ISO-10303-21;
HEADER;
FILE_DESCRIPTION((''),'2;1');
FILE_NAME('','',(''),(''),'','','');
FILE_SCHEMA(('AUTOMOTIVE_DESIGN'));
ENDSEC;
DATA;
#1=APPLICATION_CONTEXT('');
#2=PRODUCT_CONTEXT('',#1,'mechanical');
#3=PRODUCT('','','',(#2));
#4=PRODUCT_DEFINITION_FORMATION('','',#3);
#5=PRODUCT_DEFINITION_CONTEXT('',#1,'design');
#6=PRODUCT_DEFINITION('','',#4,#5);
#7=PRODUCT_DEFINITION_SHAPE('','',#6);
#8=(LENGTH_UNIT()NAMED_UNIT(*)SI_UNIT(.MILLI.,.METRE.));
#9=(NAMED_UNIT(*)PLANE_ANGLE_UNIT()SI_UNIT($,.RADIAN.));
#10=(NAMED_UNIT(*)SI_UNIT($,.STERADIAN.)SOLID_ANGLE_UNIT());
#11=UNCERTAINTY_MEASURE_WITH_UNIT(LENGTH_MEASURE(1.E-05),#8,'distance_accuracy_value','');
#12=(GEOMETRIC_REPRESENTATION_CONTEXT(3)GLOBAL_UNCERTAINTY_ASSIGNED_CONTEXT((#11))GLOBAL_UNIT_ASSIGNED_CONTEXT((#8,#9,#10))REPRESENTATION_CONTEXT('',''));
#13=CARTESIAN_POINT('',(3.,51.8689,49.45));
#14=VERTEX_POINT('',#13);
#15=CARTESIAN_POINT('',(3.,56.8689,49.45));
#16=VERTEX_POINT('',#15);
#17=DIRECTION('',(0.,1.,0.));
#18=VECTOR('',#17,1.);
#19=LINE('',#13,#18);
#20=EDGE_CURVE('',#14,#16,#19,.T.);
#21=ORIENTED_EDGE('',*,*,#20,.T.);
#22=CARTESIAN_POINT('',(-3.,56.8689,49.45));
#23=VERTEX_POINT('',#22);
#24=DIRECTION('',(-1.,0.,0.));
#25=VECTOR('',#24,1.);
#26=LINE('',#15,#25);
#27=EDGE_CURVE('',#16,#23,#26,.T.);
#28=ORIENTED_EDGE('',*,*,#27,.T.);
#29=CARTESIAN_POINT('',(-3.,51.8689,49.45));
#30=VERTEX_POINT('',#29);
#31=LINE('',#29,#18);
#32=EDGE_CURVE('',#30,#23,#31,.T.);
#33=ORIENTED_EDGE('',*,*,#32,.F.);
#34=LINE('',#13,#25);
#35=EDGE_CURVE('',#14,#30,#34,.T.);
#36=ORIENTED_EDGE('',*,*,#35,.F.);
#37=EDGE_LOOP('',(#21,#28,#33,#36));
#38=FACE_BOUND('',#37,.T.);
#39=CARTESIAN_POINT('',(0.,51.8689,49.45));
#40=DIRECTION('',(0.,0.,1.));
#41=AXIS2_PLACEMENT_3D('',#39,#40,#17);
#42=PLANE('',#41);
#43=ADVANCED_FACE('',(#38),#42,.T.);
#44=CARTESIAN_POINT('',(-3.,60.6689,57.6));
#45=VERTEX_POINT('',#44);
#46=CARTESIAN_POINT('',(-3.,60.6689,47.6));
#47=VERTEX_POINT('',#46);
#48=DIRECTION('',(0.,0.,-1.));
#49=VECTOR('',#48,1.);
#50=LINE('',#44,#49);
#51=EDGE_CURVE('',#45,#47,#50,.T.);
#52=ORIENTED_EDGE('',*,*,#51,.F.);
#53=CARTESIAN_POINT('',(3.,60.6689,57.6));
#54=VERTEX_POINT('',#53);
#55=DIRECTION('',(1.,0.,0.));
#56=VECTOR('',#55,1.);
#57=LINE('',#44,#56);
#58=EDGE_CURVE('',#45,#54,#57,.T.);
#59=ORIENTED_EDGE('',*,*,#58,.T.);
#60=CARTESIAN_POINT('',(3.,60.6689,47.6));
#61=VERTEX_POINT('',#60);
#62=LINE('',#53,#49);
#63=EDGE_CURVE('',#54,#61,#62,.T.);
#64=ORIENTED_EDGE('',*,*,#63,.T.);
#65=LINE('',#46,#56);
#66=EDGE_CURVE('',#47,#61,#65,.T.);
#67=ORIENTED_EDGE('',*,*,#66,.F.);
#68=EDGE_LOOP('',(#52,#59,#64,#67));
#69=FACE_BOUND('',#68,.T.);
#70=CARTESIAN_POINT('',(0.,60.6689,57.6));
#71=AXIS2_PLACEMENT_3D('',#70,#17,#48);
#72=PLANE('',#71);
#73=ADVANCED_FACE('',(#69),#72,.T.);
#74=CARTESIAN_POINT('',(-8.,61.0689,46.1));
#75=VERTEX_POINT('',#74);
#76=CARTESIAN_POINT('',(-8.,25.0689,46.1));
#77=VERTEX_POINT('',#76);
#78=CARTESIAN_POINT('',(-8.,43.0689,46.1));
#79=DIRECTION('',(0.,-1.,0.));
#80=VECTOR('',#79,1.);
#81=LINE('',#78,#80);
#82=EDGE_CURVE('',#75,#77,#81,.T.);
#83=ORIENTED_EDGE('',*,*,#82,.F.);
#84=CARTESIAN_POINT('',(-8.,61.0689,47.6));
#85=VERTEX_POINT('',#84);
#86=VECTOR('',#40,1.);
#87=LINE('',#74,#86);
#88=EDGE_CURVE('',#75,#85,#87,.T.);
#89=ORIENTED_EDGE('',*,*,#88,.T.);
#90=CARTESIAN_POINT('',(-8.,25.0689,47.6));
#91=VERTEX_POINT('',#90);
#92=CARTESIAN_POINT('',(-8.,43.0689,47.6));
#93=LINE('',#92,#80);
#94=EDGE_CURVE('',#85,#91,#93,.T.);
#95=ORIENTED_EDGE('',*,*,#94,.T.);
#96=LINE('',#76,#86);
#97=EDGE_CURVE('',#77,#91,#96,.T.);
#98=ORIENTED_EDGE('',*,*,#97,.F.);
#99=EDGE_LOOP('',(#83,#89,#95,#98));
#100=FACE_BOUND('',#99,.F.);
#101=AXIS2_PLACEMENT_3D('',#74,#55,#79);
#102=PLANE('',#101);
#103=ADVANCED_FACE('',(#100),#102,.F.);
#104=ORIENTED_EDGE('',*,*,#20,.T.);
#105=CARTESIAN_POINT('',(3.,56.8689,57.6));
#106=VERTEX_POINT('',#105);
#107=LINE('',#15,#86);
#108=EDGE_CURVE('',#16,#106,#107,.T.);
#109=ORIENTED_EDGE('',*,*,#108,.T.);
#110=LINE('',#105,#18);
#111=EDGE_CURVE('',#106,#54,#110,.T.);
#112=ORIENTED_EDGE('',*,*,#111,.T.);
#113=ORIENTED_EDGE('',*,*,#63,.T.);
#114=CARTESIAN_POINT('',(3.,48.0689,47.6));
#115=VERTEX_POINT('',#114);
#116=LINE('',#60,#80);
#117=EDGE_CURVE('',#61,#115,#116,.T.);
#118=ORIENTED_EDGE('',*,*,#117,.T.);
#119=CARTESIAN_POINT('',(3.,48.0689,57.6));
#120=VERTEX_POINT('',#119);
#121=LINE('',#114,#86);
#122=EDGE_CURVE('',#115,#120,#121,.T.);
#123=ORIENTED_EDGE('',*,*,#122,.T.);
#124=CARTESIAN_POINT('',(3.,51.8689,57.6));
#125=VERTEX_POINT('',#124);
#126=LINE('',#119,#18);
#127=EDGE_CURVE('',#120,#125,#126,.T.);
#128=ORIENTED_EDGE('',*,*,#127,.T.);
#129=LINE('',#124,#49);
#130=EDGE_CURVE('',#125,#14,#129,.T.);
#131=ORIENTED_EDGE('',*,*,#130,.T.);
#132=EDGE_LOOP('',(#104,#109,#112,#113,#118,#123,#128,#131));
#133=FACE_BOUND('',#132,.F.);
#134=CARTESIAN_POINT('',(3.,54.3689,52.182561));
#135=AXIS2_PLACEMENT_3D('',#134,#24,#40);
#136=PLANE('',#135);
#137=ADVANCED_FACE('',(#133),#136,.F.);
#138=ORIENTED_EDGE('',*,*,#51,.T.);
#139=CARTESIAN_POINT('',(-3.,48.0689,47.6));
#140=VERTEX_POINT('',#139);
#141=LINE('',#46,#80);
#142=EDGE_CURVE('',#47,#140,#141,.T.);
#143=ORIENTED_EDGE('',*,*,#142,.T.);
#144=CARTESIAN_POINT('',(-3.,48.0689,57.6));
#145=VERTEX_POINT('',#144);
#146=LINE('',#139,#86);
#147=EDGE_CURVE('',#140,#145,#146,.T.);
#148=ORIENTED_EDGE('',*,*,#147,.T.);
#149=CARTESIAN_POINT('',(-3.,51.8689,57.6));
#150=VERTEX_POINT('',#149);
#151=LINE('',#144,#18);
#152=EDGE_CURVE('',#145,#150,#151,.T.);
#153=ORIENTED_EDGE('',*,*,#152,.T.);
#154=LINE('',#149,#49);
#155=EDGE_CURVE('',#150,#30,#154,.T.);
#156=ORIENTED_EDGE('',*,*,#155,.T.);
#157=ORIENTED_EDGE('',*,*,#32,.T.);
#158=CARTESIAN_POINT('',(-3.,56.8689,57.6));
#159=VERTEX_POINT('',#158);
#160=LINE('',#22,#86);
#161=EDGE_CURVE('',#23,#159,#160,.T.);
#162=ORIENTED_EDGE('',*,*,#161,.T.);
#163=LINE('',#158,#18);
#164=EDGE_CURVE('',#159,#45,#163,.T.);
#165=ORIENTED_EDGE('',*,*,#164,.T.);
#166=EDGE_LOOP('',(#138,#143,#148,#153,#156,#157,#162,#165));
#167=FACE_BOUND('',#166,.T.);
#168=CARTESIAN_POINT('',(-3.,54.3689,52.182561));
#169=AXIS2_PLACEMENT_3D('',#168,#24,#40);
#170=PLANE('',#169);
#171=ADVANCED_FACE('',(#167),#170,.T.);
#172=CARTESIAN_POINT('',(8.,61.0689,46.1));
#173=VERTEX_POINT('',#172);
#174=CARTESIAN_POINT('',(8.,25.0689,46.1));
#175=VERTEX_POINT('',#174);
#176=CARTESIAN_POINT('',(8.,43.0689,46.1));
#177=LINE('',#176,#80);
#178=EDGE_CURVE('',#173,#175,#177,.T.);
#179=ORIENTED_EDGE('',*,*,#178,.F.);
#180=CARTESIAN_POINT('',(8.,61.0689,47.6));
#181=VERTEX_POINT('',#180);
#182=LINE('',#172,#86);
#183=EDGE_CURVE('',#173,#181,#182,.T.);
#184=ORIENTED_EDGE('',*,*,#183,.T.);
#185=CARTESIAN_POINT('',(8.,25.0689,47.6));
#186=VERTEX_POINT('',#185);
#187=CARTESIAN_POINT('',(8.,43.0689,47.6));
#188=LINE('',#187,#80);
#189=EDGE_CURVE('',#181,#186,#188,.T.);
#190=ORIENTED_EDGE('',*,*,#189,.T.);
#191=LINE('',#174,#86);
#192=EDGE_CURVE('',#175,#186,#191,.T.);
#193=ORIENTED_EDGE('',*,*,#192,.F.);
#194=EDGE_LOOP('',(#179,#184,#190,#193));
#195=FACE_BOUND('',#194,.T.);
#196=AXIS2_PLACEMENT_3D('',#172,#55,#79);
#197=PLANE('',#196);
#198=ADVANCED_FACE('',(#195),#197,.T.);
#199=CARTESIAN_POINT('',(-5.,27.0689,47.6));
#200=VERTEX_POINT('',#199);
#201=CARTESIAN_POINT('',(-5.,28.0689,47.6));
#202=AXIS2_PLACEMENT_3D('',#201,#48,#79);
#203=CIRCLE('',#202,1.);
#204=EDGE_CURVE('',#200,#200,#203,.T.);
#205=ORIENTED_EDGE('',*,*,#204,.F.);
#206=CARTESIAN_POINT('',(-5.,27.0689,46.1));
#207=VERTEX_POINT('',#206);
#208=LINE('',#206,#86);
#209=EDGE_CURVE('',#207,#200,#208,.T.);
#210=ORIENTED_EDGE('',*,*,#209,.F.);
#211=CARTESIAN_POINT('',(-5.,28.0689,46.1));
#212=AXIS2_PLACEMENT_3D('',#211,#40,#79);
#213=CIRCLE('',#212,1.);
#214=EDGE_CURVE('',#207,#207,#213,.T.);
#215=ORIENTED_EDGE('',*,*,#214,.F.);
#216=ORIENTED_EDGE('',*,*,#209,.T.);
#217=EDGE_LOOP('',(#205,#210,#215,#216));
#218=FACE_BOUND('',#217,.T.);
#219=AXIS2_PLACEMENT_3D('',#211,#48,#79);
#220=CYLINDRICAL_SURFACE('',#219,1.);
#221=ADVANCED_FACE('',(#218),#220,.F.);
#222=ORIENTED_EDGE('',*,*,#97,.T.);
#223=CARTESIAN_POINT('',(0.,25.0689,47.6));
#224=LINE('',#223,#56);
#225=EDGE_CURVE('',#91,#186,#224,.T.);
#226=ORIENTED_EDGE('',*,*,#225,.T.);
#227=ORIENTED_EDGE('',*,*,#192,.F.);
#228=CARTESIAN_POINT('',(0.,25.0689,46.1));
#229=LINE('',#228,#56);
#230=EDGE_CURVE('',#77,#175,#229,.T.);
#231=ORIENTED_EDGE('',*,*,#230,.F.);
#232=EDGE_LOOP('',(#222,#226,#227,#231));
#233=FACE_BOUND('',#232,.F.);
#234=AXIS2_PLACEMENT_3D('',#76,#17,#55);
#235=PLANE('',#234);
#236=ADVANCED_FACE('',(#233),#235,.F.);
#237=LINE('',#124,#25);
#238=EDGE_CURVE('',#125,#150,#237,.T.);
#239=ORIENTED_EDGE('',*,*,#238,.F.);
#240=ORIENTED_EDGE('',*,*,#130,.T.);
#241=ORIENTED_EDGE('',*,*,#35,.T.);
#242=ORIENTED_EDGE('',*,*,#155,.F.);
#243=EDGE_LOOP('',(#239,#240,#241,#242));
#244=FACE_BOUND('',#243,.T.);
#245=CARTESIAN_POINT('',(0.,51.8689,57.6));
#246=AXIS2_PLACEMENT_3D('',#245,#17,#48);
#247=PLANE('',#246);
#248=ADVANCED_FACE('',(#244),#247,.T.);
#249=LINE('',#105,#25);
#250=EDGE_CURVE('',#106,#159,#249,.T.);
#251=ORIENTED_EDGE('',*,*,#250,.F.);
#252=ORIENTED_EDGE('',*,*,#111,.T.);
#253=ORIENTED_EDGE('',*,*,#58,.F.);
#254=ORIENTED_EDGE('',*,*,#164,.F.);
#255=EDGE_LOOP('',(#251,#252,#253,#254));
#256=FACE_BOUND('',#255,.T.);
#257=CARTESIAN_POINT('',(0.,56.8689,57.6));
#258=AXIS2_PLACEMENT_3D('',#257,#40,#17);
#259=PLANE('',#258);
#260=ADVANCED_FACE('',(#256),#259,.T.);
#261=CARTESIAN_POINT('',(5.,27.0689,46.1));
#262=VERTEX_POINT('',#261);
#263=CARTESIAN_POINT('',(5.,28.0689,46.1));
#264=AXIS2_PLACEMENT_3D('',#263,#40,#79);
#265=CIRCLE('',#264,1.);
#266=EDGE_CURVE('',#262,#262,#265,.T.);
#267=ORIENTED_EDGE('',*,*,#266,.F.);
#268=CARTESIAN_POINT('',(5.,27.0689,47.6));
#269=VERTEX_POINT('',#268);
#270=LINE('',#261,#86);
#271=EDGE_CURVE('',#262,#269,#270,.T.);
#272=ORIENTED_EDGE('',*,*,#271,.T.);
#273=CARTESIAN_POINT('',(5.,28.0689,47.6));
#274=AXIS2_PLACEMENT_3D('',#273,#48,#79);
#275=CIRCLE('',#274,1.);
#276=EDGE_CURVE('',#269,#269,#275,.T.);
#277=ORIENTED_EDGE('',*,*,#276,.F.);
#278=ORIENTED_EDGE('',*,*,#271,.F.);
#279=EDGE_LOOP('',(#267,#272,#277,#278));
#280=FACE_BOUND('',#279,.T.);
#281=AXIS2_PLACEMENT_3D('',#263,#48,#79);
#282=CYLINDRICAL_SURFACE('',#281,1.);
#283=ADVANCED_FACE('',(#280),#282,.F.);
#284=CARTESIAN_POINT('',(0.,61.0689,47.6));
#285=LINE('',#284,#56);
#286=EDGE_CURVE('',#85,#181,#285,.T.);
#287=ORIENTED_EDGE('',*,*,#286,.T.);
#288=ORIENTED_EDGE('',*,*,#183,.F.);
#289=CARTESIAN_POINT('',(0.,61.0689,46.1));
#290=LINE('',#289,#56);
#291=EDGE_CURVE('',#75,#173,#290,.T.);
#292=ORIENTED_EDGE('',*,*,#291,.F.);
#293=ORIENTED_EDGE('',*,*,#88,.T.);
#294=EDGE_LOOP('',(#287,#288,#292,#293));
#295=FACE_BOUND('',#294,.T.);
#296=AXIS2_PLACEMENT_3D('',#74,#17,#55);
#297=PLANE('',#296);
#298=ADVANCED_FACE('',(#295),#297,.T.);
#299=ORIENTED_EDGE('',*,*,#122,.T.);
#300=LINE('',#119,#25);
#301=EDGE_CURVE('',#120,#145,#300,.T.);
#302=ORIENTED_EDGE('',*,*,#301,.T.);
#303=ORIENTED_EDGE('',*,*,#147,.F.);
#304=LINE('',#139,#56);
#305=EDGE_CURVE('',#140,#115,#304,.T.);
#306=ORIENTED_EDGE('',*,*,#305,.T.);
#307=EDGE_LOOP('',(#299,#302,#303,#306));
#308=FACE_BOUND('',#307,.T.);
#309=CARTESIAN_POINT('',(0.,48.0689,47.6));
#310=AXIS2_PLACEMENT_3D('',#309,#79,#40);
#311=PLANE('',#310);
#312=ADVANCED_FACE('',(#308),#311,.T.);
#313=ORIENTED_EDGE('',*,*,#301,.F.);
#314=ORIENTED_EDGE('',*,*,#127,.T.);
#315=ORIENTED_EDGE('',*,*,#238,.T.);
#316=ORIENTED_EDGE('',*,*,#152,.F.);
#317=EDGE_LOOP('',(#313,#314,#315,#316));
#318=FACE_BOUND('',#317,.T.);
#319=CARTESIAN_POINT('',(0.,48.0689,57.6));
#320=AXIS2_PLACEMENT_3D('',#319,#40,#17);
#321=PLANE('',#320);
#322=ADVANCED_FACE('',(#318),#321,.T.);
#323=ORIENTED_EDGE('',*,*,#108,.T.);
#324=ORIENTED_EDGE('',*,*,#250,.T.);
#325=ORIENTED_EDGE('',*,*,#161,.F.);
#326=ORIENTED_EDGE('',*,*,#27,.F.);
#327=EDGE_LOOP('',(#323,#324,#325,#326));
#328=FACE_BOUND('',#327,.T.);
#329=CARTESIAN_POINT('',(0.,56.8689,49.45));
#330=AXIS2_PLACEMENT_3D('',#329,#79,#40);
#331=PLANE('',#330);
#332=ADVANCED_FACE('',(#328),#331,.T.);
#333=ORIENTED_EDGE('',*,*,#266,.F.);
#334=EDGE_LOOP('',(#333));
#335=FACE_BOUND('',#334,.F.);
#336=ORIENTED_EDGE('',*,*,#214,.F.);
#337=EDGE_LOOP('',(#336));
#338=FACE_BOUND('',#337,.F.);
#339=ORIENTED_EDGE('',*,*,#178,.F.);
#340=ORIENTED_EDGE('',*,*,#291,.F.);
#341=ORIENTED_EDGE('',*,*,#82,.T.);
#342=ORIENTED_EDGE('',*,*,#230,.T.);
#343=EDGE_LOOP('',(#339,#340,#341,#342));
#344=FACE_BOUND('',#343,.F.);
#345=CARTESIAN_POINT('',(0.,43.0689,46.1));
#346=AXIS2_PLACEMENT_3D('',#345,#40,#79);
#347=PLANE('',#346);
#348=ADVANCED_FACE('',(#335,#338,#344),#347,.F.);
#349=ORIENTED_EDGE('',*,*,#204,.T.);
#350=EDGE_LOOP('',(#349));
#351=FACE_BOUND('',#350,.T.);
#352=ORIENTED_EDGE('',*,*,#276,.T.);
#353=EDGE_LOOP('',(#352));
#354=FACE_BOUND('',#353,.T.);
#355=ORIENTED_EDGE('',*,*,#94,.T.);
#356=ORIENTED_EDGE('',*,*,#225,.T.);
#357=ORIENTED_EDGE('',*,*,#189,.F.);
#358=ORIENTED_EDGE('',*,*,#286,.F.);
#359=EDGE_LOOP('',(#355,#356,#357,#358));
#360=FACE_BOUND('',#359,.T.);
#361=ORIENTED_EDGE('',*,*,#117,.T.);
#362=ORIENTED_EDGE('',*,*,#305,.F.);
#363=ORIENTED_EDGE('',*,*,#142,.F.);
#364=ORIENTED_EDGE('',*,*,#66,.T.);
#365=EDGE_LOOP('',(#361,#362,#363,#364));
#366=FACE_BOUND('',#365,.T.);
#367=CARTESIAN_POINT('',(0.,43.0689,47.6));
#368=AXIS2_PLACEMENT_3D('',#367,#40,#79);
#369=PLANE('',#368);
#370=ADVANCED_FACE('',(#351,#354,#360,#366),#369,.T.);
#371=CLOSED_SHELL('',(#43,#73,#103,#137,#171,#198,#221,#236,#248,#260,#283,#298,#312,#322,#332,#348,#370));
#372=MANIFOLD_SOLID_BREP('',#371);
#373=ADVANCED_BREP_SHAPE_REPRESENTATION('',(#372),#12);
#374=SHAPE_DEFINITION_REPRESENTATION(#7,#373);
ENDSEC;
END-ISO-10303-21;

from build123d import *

# Parameters (mm, degrees)
CYLINDER1054_R           = 1
CYLINDER1054_DEPTH       = 5
CYLINDER1055_R           = 1
CYLINDER1055_DEPTH       = 5
BOX258_W                 = 36
BOX258_H                 = 16
BOX258_DEPTH             = 1.5
PAD042_DEPTH             = 3
CLONE020_PLACEMENT_ANGLE = -90


with BuildPart() as cylinder1062:
    # Cylinder1054 → Cylinder1054 (new body)
    with BuildSketch(Plane(origin=(33, 3, 0), x_dir=(1, 0, 0), z_dir=(0, 0, 1))):
        Circle(CYLINDER1054_R)
    extrude(amount=CYLINDER1054_DEPTH)


with BuildPart() as fusion151:
    # Cylinder1055 → Cylinder1055 (new body)
    with BuildSketch(Plane(origin=(33, 13, 0), x_dir=(1, 0, 0), z_dir=(0, 0, 1))):
        Circle(CYLINDER1055_R)
    extrude(amount=CYLINDER1055_DEPTH)

    # Fusion151: union Cylinder1062
    add(cylinder1062.part)


with BuildPart() as cut:
    # Box258 → Box258 (new body)
    with BuildSketch(Plane.XY):
        with Locations((18, 8)):
            Rectangle(BOX258_W, BOX258_H)
    extrude(amount=BOX258_DEPTH)

    # Cut: cut Fusion151
    add(fusion151.part, mode=Mode.SUBTRACT)


with BuildPart() as clone_of_optopcba:
    # Sketch067 → Pad042 (new body, symmetric)
    with BuildSketch(Plane(origin=(13, 8, 1.5), x_dir=(0, 0, 1), z_dir=(0, -1, 0))):
        Polygon((0, 0), (10, 0), (10, 3.8), (1.85, 3.8), (1.85, 8.8), (10, 8.8), (10, 12.6), (0, 12.6), align=None)
    extrude(amount=PAD042_DEPTH, both=True)

    # Fusion152: union Cut
    add(cut.part)


with BuildPart() as clone_of_optopcba_1:
    # Clone020 placement: moved
    add(clone_of_optopcba.part.moved(Location((-8, 61.0689, 46.1))).rotate(Axis((-8, 61.0689, 46.1), (0, 0, 1)), CLONE020_PLACEMENT_ANGLE))


solid = clone_of_optopcba_1.part
